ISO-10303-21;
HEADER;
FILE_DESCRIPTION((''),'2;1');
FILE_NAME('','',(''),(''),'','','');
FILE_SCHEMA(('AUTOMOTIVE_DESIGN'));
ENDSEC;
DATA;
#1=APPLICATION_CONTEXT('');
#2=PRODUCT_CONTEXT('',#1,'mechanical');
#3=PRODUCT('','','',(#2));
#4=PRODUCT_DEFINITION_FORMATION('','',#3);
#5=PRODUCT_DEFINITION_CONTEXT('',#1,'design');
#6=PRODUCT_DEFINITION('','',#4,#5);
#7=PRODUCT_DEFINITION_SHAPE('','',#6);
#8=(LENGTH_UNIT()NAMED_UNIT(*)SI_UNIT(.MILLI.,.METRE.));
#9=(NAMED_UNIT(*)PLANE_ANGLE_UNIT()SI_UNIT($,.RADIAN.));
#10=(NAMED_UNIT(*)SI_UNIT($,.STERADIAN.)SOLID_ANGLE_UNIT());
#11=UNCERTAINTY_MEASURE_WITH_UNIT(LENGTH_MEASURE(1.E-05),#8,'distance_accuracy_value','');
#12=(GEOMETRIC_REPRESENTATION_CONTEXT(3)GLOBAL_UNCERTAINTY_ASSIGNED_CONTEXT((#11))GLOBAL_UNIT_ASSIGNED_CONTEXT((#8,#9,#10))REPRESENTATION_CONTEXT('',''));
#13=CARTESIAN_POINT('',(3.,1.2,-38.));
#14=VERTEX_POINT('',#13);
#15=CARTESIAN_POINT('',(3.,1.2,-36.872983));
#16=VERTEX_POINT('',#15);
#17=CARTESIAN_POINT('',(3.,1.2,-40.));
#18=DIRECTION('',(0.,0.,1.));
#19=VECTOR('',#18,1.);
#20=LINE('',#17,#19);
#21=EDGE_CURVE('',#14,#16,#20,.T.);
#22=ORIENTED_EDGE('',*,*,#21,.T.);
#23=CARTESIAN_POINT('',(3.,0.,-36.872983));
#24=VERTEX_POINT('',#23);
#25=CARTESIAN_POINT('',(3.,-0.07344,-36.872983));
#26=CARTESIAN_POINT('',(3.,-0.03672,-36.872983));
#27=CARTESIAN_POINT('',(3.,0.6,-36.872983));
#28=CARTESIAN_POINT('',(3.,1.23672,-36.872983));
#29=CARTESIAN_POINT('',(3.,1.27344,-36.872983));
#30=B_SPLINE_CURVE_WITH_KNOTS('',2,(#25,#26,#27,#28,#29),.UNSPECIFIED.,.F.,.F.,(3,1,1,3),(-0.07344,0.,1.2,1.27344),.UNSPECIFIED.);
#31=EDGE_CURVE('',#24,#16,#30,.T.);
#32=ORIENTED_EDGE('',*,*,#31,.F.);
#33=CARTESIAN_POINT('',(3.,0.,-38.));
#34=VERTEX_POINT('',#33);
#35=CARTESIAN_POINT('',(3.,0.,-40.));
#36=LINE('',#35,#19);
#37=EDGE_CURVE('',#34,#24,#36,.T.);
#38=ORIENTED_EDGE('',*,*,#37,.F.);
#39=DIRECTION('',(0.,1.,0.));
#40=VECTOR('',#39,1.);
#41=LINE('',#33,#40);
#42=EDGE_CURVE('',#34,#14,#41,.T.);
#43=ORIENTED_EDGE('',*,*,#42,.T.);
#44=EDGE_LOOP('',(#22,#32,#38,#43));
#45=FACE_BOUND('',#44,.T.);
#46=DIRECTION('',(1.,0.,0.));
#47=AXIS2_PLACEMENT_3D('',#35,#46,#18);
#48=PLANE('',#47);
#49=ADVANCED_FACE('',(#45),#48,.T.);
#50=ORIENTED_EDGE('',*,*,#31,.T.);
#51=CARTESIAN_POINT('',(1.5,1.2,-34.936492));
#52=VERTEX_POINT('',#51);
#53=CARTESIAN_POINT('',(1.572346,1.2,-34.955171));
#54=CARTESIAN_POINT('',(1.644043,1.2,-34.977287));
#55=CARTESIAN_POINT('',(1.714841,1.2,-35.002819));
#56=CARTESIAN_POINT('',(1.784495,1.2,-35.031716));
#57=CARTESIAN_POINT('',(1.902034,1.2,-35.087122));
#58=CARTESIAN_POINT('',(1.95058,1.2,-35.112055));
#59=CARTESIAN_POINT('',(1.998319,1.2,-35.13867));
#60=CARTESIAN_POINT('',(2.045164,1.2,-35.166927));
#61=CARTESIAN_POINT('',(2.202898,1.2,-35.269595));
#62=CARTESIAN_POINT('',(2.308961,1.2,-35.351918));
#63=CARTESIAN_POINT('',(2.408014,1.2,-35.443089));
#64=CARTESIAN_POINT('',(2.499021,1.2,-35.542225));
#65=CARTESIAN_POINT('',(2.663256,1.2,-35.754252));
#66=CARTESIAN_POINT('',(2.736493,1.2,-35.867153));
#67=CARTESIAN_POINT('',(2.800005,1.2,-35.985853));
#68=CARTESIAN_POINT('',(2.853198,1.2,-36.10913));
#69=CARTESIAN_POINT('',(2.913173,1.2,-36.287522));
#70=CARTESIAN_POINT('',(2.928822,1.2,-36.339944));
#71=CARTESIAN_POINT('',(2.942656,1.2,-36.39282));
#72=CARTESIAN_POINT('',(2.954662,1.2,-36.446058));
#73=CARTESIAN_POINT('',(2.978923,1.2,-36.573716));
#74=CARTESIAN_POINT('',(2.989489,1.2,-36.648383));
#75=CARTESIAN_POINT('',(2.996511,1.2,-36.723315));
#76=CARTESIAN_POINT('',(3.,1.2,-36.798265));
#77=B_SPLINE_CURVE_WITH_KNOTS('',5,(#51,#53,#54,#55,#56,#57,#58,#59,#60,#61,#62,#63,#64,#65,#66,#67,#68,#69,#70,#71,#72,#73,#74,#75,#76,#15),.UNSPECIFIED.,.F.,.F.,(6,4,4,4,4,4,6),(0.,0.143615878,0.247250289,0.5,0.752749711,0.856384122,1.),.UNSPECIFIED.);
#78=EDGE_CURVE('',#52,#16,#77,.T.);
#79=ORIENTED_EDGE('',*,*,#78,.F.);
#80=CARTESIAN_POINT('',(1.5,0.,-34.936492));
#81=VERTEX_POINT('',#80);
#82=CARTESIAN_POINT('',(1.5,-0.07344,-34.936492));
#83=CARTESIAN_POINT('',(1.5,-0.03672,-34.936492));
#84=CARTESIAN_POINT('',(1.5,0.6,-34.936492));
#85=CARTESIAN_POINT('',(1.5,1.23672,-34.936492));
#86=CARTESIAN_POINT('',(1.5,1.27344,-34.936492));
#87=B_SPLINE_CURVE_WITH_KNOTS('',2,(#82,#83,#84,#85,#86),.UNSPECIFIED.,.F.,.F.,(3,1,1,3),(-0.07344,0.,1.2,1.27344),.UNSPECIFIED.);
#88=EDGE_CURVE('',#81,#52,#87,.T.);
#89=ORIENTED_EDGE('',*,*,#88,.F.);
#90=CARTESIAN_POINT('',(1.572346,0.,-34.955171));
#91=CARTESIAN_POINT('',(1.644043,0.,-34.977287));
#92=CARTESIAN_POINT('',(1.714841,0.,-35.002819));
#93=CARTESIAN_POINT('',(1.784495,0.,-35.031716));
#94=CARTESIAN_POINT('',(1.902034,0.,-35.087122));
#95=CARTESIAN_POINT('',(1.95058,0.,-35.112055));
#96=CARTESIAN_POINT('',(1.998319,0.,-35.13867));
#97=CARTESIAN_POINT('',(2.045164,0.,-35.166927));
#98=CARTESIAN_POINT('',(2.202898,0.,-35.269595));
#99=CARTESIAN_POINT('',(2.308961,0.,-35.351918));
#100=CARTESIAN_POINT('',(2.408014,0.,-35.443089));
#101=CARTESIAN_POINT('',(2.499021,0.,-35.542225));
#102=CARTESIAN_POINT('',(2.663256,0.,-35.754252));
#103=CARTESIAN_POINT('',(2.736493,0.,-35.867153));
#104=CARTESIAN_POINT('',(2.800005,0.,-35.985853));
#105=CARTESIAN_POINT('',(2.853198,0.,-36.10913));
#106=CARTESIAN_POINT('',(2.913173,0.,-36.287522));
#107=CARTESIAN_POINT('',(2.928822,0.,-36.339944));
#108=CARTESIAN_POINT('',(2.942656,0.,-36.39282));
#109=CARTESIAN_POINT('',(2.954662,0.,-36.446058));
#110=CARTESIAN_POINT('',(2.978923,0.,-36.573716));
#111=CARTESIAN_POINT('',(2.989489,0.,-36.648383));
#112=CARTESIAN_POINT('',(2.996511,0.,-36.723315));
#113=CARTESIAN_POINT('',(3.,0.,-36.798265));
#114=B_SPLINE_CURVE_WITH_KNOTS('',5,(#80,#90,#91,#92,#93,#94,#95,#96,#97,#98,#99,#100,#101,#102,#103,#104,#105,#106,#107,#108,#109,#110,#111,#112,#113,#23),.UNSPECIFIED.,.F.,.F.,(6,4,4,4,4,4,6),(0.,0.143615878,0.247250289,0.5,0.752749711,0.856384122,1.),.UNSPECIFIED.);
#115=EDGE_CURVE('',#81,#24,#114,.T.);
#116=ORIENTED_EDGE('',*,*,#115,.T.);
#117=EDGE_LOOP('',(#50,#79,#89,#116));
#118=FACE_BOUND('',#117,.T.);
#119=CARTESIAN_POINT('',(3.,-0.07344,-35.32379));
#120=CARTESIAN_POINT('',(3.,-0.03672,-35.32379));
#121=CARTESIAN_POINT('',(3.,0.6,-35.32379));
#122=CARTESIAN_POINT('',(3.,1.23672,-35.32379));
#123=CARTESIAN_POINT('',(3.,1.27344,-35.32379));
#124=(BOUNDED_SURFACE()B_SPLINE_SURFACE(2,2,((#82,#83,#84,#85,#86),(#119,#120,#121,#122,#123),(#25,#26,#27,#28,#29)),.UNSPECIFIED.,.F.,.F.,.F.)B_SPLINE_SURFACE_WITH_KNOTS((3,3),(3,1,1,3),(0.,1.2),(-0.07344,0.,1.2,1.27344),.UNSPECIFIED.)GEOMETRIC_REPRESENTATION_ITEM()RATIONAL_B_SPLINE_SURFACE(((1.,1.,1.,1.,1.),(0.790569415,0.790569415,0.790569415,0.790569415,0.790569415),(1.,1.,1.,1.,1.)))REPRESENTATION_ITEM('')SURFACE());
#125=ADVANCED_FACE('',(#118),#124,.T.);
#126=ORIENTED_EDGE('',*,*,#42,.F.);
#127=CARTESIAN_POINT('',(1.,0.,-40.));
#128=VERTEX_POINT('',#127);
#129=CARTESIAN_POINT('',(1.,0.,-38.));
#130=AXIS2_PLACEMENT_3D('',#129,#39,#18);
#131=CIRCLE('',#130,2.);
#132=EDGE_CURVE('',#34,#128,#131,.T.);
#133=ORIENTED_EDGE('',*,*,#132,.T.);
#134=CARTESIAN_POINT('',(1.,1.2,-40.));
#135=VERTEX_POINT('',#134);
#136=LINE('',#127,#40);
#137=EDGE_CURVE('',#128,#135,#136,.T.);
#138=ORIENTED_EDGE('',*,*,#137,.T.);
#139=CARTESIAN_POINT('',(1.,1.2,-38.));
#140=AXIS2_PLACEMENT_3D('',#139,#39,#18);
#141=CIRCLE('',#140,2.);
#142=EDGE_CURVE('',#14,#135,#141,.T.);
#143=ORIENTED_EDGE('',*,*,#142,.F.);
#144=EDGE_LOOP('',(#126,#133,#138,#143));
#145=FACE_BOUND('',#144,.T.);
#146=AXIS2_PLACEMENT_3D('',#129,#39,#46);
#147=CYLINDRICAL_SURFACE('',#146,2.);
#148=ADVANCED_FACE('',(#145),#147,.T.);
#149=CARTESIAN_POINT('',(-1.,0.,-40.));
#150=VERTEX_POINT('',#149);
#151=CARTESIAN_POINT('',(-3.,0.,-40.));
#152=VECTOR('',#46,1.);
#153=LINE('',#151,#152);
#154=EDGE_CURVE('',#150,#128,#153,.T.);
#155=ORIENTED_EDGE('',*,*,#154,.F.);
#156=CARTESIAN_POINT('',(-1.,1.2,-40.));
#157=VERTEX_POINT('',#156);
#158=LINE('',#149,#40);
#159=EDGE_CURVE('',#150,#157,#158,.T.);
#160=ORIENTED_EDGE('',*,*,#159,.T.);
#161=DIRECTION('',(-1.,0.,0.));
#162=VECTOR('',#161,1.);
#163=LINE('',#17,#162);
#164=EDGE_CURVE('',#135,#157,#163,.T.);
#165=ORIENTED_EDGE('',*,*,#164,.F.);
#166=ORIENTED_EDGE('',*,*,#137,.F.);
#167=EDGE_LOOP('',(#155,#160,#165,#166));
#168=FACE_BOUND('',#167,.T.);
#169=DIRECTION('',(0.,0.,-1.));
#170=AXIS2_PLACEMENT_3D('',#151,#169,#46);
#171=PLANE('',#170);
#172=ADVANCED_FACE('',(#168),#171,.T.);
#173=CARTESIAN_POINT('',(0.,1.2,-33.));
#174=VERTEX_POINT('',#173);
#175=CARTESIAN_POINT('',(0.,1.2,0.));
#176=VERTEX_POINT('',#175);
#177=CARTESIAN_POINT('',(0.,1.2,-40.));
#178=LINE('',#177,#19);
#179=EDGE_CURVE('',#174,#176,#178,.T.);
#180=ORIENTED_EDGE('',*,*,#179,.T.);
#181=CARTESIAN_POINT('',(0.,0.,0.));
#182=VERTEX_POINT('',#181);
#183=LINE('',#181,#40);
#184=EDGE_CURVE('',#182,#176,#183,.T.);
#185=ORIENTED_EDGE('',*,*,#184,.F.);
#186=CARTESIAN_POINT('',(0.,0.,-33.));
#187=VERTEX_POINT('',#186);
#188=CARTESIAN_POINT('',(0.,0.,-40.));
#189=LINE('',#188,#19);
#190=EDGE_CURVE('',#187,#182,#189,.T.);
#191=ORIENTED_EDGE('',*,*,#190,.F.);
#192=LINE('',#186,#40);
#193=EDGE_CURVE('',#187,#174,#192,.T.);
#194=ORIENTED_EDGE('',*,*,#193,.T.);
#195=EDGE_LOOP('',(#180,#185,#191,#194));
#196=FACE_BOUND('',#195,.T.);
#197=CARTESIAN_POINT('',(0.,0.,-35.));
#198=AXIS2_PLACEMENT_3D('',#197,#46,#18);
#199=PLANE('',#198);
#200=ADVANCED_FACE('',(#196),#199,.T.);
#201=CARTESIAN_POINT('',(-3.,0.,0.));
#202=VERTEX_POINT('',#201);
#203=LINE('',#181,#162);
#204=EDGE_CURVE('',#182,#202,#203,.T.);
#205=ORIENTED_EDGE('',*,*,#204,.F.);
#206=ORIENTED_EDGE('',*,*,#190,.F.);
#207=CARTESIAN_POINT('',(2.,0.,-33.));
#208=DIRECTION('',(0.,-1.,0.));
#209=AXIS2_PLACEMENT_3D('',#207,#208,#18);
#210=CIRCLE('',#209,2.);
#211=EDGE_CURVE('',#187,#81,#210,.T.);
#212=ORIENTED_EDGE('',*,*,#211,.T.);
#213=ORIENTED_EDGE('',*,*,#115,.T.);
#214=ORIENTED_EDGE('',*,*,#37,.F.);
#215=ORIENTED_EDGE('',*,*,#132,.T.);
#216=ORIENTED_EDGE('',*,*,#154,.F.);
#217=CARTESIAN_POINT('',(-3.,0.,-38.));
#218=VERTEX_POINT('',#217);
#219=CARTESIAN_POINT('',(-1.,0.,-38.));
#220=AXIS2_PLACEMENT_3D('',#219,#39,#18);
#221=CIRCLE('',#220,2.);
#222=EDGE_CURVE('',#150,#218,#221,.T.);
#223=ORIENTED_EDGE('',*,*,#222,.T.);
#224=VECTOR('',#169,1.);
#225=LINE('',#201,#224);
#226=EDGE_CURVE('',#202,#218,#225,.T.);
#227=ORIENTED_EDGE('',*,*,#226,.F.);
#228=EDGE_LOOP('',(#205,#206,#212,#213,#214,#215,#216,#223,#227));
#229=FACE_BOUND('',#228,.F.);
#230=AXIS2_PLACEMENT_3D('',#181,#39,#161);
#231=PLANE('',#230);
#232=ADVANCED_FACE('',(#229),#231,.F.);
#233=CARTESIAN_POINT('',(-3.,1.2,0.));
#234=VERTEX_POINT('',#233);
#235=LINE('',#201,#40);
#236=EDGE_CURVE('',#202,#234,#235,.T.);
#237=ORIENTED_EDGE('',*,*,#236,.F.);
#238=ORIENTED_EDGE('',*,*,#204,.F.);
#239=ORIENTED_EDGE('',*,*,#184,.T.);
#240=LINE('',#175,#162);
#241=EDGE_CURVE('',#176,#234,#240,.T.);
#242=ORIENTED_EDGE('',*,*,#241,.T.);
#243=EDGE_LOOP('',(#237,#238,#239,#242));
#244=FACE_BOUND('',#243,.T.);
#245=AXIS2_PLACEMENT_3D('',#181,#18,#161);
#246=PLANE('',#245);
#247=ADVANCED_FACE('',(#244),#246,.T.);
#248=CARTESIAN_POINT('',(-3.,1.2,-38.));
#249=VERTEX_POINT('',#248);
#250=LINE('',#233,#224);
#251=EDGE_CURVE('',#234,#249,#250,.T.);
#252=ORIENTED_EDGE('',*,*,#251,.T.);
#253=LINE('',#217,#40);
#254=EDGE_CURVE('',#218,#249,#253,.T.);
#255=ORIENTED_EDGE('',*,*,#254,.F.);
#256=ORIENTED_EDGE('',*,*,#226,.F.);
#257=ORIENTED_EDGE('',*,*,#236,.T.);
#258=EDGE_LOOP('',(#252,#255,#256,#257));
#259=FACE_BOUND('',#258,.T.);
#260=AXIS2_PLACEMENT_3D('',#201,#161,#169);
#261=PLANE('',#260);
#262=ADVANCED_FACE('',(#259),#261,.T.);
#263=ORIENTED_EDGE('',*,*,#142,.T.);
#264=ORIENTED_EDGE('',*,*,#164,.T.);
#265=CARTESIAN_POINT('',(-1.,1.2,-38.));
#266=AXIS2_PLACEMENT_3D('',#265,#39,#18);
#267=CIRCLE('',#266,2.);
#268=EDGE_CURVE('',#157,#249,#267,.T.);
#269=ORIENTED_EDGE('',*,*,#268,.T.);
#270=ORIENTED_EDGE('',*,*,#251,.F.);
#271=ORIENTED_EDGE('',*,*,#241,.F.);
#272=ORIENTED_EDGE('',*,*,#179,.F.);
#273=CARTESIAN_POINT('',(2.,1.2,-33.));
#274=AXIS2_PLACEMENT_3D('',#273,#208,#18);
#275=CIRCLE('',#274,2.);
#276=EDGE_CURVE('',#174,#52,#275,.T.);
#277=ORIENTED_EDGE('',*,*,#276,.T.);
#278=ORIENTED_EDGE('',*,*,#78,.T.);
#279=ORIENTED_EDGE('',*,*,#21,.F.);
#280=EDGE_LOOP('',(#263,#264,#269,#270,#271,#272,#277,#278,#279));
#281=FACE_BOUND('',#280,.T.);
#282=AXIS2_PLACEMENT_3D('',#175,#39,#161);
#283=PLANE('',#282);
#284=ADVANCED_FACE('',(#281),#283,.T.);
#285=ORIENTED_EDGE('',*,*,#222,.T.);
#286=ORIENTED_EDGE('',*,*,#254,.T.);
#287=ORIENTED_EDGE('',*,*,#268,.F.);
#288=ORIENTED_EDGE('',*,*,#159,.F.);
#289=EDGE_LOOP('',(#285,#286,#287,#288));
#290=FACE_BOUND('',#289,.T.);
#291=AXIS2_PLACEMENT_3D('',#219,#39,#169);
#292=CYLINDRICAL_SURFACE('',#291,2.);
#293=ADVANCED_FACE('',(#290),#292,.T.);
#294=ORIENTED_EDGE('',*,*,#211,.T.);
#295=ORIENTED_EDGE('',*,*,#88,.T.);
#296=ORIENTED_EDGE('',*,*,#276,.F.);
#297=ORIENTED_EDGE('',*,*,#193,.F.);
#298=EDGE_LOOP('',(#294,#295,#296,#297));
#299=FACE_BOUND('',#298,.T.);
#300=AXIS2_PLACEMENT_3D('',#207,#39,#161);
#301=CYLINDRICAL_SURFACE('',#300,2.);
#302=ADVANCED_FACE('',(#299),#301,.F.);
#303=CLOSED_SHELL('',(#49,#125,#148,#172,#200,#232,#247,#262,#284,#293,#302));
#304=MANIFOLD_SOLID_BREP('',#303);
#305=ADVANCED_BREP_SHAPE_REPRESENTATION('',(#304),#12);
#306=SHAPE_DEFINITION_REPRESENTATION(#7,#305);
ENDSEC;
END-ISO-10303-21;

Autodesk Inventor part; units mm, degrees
ref_plane "YZ Plane" through (0, 0, 0) normal (1, 0, 0) x (0, 1, 0)
ref_plane "XZ Plane" through (0, 0, 0) normal (0, 1, 0) x (-1, 0, 0)
ref_plane "XY Plane" through (0, 0, 0) normal (0, 0, 1) x (1, 0, 0)
sketch "Sketch1" plane through (0, 0, 0) normal (0, 1, 0) x (-1, 0, 0)
  point P0 (0, 0)
sketch "Sketch2" plane through (0, 0, 0) normal (0, 1, 0) x (-1, 0, 0)
  line L0 (0, 0) -> (3, 0)
  line L1 (3, 0) -> (3, -40)
  line L2 (3, -40) -> (0, -40)
  line L3 (0, -40) -> (0, 0)
  line L4 (0, -40) -> (-3, -40)
  line L5 (-3, -40) -> (-3, -35)
  line L6 (-3, -35) -> (0, -35)
  line L7 (0, -35) -> (0, -40)
  point P0 (0, -35)
  dimension "d0" = 3
  dimension "d1" = 40
  dimension "d4" = 3
  dimension "d5" = 5
extrude "Extrusion1" add sketch "Sketch2" along normal blind 1.2
fillet "Fillet1" radius 2 4 edges at (0, 0.6, -35) (3, 0.6, -35) (3, 0.6, -40) (-3, 0.6, -40)
properties part number "MoveableBarRound"
